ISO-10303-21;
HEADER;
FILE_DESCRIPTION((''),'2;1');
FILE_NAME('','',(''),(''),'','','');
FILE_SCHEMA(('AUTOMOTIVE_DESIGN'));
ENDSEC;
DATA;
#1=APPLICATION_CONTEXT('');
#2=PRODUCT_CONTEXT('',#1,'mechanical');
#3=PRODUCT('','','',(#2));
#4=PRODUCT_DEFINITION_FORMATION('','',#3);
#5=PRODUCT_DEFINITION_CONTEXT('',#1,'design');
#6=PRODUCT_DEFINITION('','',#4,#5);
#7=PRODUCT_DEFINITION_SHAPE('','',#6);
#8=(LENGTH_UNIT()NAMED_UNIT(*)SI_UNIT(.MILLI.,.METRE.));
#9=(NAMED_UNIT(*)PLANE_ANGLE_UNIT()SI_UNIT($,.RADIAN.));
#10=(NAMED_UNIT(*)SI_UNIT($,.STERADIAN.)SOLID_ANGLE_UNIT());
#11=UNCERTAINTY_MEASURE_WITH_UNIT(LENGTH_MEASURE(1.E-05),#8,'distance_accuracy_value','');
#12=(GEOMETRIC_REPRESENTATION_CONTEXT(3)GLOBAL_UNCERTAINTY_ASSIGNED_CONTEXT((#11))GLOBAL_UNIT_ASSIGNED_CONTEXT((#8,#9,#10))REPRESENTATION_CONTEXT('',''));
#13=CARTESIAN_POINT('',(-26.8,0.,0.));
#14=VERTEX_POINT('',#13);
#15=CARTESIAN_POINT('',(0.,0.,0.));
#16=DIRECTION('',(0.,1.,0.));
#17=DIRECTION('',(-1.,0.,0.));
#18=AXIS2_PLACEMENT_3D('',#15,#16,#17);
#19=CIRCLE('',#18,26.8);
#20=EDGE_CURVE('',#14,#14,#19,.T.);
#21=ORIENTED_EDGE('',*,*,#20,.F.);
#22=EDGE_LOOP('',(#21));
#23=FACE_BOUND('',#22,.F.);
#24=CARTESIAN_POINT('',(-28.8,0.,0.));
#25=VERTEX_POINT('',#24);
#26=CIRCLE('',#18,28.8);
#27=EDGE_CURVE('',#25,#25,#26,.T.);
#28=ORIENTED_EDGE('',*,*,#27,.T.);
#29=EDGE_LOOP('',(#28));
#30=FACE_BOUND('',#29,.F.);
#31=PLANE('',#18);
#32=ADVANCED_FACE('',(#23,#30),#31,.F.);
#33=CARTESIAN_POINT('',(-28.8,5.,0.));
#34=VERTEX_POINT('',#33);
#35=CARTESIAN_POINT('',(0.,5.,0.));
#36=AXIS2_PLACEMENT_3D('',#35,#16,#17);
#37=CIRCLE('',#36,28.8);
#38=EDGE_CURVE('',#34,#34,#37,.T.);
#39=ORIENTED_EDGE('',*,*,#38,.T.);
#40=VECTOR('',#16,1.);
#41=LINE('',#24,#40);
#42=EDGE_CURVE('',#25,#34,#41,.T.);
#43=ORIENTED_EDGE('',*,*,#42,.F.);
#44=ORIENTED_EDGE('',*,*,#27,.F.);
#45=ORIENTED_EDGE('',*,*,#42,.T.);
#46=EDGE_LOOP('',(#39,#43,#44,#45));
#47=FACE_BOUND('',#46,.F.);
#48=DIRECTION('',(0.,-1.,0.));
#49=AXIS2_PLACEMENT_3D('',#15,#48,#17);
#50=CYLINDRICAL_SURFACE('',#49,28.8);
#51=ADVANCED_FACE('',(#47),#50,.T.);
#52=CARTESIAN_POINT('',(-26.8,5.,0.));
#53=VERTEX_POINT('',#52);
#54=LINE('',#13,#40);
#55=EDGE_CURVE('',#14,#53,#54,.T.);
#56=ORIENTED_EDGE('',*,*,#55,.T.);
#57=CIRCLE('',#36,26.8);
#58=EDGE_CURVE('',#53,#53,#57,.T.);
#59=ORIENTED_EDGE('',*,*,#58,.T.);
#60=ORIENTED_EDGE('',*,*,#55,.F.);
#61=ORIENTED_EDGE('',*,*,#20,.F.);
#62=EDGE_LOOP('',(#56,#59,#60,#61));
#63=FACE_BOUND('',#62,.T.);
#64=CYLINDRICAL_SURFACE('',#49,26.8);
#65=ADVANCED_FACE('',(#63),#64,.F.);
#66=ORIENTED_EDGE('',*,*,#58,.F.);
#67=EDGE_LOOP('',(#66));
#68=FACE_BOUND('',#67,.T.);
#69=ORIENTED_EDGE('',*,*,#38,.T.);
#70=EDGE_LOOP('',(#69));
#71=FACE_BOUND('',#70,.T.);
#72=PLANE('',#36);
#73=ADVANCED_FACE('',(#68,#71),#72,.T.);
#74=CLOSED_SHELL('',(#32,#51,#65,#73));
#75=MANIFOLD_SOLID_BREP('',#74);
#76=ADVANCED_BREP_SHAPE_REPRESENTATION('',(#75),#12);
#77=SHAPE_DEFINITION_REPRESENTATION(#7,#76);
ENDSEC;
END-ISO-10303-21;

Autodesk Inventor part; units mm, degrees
ref_plane "YZ Plane" through (0, 0, 0) normal (1, 0, 0) x (0, 1, 0)
ref_plane "XZ Plane" through (0, 0, 0) normal (0, 1, 0) x (-1, 0, 0)
ref_plane "XY Plane" through (0, 0, 0) normal (0, 0, 1) x (1, 0, 0)
sketch "Sketch1" plane through (0, 0, 0) normal (0, 1, 0) x (-1, 0, 0)
  circle A0 centre (0, 0) radius 26.8
  circle A1 centre (0, 0) radius 28.8
  dimension "d0" = 53.6
  dimension "d1" = 2
extrude "Extrusion1" add sketch "Sketch1" along normal blind 5
properties part number "retention_auger_case_rear"
